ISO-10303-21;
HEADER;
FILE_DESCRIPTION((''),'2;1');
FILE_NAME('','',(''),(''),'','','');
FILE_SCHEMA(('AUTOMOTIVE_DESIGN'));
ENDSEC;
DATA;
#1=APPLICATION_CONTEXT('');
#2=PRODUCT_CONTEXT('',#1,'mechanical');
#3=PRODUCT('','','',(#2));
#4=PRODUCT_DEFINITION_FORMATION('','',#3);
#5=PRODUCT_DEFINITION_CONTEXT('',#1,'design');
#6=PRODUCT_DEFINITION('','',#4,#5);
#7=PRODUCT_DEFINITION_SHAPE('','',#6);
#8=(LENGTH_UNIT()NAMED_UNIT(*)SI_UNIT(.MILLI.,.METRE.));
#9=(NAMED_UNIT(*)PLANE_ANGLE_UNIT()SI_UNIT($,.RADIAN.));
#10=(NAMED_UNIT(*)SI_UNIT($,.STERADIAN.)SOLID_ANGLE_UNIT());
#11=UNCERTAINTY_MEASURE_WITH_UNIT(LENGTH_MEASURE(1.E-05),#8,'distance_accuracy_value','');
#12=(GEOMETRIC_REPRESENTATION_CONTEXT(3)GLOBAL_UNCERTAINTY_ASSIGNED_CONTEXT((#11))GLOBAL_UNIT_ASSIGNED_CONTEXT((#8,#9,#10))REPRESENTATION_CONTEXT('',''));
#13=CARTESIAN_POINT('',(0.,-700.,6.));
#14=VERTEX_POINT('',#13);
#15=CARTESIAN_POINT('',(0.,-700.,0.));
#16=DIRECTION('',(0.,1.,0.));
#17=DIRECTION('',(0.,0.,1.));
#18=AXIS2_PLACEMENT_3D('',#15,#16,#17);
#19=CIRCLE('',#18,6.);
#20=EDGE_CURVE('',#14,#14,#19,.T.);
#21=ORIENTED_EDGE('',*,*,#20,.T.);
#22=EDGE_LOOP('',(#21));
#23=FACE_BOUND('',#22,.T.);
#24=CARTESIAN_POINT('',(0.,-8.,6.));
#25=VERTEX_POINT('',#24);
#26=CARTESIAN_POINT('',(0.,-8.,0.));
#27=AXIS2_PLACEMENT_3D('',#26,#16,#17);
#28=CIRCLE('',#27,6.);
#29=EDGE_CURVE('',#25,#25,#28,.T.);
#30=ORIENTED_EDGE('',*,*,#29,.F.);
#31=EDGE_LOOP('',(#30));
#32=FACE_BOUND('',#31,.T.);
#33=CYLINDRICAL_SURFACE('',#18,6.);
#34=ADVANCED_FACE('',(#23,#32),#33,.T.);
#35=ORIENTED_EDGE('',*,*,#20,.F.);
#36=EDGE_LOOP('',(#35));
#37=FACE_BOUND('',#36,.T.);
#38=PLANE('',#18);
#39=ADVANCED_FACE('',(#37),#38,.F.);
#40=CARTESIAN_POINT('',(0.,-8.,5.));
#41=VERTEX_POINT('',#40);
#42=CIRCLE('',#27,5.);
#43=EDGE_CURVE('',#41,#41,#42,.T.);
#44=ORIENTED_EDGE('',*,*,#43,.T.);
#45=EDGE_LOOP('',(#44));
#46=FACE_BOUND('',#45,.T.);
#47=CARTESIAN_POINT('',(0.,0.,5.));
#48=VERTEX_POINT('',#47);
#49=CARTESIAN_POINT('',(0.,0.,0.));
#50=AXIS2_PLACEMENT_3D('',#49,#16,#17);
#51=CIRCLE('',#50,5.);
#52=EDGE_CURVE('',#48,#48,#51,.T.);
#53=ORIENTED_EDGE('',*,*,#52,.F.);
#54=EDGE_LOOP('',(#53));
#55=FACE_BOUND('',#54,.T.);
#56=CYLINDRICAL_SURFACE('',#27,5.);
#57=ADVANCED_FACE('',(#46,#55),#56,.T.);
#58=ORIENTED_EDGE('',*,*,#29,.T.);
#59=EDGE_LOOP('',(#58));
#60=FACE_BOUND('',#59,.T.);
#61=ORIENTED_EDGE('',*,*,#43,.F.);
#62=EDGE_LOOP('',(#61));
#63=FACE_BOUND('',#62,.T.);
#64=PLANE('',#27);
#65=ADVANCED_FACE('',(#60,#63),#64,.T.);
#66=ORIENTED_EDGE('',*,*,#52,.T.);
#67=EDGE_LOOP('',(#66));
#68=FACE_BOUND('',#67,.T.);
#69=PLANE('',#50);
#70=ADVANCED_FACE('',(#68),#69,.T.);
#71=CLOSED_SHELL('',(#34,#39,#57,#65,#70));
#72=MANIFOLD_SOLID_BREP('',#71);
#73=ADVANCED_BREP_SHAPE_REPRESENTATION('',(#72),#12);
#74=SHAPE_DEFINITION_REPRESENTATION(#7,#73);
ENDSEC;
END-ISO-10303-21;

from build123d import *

# Parameters (mm, degrees)
SKETCH1_R      = 6
EXTRUDE1_DEPTH = 700
SKETCH2_R      = 6
SKETCH2_R_2    = 5
EXTRUDE2_DEPTH = 8


with BuildPart() as part:
    # Sketch1 → Extrude1 (new body)
    with BuildSketch(Plane(origin=(0, 0, 0), x_dir=(1, 0, 0), z_dir=(0, 1, 0))):
        with Locations(Location((0, 0, 0), (0, 0, 270))):
            Circle(SKETCH1_R)
    extrude(amount=-EXTRUDE1_DEPTH)

    # Sketch2 → Extrude2 (cut)
    with BuildSketch(Plane(origin=(0, 0, 0), x_dir=(1, 0, 0), z_dir=(0, 1, 0))):
        with Locations(Location((0, 0, 0), (0, 0, 270))):
            Circle(SKETCH2_R)
        with Locations(Location((0, 0, 0), (0, 0, 270))):
            Circle(SKETCH2_R_2, mode=Mode.SUBTRACT)
    extrude(amount=-EXTRUDE2_DEPTH, mode=Mode.SUBTRACT)


solid = part.part
